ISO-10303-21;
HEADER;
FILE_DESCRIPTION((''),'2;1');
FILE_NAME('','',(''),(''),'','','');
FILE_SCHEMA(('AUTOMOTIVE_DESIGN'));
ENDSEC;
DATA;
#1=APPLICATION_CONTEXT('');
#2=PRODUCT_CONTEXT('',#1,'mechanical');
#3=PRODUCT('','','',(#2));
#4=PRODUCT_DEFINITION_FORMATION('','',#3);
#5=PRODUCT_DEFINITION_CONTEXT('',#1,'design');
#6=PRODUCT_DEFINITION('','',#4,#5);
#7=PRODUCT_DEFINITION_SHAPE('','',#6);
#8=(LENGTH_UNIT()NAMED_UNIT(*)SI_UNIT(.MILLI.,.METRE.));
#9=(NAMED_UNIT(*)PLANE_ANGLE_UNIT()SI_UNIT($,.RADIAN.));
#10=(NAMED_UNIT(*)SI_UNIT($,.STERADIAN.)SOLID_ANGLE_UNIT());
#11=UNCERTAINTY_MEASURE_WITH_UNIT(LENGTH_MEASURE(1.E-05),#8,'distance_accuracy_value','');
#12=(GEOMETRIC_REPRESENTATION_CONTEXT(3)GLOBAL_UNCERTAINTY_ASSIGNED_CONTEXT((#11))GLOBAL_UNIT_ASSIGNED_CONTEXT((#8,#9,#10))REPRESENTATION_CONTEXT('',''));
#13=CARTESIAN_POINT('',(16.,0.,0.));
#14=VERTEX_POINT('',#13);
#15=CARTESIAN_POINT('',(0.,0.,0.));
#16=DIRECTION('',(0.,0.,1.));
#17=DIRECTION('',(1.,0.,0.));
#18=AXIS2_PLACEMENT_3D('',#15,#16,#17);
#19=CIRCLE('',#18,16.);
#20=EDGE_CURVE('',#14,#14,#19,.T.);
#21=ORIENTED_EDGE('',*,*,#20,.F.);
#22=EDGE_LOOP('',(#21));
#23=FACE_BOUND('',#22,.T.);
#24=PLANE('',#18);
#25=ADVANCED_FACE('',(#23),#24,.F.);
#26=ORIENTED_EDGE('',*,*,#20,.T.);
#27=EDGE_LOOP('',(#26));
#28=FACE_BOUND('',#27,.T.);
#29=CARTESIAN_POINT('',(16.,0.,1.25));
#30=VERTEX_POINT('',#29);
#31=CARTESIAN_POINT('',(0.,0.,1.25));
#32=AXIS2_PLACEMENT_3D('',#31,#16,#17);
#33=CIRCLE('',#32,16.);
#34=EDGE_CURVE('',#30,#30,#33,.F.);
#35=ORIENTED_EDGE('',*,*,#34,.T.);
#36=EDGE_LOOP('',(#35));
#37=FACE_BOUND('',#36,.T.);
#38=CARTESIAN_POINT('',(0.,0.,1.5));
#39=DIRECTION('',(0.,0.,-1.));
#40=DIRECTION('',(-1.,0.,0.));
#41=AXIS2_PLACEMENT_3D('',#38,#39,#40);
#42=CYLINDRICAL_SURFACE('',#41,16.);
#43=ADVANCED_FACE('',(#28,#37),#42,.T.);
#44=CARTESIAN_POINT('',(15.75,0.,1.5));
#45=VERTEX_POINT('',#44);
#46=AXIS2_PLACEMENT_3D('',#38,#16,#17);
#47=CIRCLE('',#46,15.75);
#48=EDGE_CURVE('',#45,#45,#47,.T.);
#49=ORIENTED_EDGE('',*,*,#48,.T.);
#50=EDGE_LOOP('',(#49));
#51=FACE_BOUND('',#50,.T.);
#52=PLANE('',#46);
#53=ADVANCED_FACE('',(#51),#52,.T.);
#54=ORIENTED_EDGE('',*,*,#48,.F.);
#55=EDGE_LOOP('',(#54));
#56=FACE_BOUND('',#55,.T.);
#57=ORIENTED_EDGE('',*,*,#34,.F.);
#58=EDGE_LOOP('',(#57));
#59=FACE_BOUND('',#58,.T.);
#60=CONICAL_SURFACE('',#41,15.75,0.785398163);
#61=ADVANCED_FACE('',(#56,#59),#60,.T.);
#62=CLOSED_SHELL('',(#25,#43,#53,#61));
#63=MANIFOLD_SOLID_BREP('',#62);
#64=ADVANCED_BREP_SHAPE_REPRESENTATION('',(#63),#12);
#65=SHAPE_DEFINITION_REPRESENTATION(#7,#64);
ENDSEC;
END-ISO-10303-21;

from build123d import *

# Parameters (mm, degrees)
SKETCH1_R           = 16
BOSS_EXTRUDE1_DEPTH = 1.5
CHAMFER1_SIZE       = 0.25


with BuildPart() as part:
    # Sketch1 → Boss-Extrude1 (new body)
    with BuildSketch(Plane.XY):
        Circle(SKETCH1_R)
    extrude(amount=BOSS_EXTRUDE1_DEPTH)

    # Chamfer1
    chamfer1_edges = [part.edges().sort_by_distance(p)[0] for p in [
        (-16, 0, 1.5),
    ]]
    chamfer(chamfer1_edges, length=CHAMFER1_SIZE)


solid = part.part
